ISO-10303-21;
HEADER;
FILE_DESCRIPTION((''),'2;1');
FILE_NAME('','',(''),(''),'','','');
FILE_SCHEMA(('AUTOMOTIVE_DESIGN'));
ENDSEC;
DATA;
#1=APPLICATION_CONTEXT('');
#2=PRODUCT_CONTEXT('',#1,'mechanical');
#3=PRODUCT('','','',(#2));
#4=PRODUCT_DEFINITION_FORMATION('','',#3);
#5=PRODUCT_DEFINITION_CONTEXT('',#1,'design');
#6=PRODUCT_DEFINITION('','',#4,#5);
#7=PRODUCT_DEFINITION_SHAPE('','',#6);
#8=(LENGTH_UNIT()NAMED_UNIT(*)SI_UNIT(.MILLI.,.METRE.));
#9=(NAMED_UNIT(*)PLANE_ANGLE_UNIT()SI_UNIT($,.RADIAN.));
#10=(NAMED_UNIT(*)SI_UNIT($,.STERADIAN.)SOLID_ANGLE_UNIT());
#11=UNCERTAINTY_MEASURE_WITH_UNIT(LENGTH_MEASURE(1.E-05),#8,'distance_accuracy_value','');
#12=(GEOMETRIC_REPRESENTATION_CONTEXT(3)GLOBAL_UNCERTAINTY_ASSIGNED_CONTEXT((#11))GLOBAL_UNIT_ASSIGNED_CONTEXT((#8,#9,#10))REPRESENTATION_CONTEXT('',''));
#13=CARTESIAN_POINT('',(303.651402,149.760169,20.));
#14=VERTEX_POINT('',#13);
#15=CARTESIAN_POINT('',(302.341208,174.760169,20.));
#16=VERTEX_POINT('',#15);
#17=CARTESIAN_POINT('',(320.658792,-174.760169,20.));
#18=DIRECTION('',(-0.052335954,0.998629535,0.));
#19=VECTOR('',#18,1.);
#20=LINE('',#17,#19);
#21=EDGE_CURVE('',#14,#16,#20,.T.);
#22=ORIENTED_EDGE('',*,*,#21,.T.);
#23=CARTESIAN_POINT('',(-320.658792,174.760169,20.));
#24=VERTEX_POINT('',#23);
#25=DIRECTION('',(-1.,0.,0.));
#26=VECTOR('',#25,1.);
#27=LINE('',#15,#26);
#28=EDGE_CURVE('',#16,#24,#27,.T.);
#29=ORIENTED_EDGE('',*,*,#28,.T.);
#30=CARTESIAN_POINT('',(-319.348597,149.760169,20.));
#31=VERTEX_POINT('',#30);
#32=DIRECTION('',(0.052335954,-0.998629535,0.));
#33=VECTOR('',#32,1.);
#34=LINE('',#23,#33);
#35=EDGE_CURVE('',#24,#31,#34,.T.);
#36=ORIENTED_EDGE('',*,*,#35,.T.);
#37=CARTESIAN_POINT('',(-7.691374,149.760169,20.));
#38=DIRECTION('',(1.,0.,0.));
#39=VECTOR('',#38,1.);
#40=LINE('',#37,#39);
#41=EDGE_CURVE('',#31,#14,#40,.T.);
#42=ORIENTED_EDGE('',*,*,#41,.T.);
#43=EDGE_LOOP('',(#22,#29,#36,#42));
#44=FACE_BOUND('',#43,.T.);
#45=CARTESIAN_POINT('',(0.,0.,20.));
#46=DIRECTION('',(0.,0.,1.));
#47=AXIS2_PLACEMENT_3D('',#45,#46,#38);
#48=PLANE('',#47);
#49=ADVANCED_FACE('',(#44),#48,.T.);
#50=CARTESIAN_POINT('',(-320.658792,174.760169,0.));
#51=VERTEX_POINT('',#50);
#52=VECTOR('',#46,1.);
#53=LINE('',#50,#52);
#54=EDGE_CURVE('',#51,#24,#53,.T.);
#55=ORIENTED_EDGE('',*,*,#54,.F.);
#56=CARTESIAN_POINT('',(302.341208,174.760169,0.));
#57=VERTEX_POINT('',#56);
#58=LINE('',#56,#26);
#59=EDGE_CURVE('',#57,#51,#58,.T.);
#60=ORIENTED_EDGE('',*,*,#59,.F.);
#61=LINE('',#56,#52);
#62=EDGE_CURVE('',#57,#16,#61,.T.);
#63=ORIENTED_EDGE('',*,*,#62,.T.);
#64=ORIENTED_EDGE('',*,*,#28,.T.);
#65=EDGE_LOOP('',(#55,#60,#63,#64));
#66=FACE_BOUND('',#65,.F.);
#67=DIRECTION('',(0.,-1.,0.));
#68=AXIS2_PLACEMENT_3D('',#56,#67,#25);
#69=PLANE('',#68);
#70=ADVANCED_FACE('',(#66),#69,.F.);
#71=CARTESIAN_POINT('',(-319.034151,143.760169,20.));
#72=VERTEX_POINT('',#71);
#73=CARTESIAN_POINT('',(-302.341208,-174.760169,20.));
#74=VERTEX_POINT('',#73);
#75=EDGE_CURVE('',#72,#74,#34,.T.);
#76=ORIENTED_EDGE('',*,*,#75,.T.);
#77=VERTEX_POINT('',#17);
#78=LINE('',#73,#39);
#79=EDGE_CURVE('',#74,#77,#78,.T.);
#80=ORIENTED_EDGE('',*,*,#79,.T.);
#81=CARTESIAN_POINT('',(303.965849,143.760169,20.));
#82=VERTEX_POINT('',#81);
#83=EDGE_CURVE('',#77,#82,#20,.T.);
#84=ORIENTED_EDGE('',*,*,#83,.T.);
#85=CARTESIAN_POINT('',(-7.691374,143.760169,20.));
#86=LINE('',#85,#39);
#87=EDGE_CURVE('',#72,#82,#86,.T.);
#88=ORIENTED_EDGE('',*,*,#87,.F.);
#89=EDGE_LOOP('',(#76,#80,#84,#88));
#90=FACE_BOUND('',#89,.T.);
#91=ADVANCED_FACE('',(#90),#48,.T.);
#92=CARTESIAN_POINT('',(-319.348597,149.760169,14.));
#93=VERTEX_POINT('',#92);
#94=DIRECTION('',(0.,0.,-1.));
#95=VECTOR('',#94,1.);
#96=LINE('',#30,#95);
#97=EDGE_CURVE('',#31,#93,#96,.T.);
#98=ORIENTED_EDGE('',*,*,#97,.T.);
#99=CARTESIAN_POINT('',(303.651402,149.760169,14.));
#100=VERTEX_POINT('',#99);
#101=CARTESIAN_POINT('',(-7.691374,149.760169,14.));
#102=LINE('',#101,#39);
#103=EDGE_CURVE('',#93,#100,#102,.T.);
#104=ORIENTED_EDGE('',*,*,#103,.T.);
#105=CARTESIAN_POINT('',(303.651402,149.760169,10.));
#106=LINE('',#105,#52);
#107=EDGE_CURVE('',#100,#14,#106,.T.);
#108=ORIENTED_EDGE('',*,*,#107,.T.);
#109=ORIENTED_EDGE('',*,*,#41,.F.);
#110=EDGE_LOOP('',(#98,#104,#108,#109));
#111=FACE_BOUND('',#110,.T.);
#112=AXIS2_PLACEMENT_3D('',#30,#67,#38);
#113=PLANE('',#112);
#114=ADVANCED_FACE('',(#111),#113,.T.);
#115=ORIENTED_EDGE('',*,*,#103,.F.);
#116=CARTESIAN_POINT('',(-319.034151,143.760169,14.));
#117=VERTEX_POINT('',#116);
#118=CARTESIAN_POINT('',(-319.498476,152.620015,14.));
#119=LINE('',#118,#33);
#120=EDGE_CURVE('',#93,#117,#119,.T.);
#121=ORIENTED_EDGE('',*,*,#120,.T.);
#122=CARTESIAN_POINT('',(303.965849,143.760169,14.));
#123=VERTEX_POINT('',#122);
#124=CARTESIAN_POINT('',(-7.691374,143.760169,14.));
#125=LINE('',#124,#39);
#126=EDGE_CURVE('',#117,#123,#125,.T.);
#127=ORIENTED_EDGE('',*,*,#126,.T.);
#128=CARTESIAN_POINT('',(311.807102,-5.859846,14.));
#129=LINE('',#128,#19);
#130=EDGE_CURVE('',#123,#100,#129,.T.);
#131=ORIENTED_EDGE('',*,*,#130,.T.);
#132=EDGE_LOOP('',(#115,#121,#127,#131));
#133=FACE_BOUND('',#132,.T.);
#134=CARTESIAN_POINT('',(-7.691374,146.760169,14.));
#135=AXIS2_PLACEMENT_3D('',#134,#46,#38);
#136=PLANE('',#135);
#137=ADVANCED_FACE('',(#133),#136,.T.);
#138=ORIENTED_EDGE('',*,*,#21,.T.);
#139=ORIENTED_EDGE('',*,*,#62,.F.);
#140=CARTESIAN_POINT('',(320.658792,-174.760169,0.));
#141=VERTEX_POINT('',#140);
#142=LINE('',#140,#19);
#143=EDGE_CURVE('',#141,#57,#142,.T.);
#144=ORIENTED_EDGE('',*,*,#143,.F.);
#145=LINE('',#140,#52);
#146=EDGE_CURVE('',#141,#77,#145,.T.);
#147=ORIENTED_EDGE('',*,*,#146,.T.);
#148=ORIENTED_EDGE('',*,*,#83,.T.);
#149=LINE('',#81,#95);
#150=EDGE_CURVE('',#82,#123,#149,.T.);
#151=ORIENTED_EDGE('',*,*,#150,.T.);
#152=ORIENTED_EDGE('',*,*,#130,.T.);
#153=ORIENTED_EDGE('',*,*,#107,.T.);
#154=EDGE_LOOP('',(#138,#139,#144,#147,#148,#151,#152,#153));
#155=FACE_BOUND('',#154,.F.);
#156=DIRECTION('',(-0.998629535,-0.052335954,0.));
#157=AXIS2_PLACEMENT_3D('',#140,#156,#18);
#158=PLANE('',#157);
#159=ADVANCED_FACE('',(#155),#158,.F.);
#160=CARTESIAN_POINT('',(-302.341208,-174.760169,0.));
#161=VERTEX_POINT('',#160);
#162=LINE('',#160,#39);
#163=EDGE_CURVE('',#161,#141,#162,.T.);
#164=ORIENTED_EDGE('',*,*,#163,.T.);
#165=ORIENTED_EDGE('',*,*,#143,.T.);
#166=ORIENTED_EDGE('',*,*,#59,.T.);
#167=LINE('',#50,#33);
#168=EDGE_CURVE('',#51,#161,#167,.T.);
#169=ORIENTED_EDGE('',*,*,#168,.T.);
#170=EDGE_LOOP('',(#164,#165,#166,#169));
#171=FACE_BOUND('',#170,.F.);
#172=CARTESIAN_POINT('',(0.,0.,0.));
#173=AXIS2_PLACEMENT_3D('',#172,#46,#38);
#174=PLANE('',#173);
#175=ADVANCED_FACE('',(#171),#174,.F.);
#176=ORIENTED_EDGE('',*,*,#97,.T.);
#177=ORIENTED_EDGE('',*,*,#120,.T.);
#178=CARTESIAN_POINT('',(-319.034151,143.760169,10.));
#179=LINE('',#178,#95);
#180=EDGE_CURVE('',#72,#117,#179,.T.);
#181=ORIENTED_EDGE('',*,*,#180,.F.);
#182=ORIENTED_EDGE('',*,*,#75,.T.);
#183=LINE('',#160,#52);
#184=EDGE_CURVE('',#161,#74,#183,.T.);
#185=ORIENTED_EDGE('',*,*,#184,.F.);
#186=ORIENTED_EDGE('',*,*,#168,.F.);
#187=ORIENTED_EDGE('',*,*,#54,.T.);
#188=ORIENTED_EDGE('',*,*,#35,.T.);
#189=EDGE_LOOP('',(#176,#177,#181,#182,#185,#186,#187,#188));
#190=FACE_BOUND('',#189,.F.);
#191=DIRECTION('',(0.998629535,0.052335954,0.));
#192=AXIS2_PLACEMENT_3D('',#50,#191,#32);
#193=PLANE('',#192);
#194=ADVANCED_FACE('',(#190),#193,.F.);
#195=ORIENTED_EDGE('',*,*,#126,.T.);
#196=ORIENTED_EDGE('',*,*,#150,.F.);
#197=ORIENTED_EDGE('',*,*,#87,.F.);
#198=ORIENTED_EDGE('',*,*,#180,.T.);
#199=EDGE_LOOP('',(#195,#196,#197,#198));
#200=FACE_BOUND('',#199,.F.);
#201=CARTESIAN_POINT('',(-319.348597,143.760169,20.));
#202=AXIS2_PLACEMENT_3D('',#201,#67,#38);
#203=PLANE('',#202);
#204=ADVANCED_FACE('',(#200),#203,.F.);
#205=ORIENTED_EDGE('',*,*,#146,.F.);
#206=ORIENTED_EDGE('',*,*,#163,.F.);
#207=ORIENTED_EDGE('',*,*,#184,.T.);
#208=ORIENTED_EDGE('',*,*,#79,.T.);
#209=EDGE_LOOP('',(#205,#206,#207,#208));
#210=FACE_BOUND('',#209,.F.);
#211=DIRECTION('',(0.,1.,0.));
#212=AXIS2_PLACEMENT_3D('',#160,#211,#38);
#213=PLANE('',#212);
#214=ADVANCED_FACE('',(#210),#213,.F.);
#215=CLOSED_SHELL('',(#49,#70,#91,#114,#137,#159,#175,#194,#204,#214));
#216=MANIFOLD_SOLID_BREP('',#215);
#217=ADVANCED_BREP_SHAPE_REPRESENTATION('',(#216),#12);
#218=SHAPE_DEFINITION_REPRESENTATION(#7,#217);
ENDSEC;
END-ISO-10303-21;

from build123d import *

# Parameters (mm, degrees)
F1_DEPTH = 20
F2_W     = 623.314447
F2_H     = 6
F3_DEPTH = 6


with BuildPart() as f1:
    # F0 (on Top) → F1 (new body)
    with BuildSketch(Plane.XY):
        Polygon((-302.341208, -174.760169), (320.658792, -174.760169), (302.341208, 174.760169), (-320.658792, 174.760169), align=None)
    extrude(amount=F1_DEPTH)

    # F2 (on face) → F3 (cut)
    with BuildSketch(Plane.XY.offset(20)):
        with Locations((-7.691374, 146.760169)):
            Rectangle(F2_W, F2_H)
    extrude(amount=-F3_DEPTH, mode=Mode.SUBTRACT)


solid = f1.part
